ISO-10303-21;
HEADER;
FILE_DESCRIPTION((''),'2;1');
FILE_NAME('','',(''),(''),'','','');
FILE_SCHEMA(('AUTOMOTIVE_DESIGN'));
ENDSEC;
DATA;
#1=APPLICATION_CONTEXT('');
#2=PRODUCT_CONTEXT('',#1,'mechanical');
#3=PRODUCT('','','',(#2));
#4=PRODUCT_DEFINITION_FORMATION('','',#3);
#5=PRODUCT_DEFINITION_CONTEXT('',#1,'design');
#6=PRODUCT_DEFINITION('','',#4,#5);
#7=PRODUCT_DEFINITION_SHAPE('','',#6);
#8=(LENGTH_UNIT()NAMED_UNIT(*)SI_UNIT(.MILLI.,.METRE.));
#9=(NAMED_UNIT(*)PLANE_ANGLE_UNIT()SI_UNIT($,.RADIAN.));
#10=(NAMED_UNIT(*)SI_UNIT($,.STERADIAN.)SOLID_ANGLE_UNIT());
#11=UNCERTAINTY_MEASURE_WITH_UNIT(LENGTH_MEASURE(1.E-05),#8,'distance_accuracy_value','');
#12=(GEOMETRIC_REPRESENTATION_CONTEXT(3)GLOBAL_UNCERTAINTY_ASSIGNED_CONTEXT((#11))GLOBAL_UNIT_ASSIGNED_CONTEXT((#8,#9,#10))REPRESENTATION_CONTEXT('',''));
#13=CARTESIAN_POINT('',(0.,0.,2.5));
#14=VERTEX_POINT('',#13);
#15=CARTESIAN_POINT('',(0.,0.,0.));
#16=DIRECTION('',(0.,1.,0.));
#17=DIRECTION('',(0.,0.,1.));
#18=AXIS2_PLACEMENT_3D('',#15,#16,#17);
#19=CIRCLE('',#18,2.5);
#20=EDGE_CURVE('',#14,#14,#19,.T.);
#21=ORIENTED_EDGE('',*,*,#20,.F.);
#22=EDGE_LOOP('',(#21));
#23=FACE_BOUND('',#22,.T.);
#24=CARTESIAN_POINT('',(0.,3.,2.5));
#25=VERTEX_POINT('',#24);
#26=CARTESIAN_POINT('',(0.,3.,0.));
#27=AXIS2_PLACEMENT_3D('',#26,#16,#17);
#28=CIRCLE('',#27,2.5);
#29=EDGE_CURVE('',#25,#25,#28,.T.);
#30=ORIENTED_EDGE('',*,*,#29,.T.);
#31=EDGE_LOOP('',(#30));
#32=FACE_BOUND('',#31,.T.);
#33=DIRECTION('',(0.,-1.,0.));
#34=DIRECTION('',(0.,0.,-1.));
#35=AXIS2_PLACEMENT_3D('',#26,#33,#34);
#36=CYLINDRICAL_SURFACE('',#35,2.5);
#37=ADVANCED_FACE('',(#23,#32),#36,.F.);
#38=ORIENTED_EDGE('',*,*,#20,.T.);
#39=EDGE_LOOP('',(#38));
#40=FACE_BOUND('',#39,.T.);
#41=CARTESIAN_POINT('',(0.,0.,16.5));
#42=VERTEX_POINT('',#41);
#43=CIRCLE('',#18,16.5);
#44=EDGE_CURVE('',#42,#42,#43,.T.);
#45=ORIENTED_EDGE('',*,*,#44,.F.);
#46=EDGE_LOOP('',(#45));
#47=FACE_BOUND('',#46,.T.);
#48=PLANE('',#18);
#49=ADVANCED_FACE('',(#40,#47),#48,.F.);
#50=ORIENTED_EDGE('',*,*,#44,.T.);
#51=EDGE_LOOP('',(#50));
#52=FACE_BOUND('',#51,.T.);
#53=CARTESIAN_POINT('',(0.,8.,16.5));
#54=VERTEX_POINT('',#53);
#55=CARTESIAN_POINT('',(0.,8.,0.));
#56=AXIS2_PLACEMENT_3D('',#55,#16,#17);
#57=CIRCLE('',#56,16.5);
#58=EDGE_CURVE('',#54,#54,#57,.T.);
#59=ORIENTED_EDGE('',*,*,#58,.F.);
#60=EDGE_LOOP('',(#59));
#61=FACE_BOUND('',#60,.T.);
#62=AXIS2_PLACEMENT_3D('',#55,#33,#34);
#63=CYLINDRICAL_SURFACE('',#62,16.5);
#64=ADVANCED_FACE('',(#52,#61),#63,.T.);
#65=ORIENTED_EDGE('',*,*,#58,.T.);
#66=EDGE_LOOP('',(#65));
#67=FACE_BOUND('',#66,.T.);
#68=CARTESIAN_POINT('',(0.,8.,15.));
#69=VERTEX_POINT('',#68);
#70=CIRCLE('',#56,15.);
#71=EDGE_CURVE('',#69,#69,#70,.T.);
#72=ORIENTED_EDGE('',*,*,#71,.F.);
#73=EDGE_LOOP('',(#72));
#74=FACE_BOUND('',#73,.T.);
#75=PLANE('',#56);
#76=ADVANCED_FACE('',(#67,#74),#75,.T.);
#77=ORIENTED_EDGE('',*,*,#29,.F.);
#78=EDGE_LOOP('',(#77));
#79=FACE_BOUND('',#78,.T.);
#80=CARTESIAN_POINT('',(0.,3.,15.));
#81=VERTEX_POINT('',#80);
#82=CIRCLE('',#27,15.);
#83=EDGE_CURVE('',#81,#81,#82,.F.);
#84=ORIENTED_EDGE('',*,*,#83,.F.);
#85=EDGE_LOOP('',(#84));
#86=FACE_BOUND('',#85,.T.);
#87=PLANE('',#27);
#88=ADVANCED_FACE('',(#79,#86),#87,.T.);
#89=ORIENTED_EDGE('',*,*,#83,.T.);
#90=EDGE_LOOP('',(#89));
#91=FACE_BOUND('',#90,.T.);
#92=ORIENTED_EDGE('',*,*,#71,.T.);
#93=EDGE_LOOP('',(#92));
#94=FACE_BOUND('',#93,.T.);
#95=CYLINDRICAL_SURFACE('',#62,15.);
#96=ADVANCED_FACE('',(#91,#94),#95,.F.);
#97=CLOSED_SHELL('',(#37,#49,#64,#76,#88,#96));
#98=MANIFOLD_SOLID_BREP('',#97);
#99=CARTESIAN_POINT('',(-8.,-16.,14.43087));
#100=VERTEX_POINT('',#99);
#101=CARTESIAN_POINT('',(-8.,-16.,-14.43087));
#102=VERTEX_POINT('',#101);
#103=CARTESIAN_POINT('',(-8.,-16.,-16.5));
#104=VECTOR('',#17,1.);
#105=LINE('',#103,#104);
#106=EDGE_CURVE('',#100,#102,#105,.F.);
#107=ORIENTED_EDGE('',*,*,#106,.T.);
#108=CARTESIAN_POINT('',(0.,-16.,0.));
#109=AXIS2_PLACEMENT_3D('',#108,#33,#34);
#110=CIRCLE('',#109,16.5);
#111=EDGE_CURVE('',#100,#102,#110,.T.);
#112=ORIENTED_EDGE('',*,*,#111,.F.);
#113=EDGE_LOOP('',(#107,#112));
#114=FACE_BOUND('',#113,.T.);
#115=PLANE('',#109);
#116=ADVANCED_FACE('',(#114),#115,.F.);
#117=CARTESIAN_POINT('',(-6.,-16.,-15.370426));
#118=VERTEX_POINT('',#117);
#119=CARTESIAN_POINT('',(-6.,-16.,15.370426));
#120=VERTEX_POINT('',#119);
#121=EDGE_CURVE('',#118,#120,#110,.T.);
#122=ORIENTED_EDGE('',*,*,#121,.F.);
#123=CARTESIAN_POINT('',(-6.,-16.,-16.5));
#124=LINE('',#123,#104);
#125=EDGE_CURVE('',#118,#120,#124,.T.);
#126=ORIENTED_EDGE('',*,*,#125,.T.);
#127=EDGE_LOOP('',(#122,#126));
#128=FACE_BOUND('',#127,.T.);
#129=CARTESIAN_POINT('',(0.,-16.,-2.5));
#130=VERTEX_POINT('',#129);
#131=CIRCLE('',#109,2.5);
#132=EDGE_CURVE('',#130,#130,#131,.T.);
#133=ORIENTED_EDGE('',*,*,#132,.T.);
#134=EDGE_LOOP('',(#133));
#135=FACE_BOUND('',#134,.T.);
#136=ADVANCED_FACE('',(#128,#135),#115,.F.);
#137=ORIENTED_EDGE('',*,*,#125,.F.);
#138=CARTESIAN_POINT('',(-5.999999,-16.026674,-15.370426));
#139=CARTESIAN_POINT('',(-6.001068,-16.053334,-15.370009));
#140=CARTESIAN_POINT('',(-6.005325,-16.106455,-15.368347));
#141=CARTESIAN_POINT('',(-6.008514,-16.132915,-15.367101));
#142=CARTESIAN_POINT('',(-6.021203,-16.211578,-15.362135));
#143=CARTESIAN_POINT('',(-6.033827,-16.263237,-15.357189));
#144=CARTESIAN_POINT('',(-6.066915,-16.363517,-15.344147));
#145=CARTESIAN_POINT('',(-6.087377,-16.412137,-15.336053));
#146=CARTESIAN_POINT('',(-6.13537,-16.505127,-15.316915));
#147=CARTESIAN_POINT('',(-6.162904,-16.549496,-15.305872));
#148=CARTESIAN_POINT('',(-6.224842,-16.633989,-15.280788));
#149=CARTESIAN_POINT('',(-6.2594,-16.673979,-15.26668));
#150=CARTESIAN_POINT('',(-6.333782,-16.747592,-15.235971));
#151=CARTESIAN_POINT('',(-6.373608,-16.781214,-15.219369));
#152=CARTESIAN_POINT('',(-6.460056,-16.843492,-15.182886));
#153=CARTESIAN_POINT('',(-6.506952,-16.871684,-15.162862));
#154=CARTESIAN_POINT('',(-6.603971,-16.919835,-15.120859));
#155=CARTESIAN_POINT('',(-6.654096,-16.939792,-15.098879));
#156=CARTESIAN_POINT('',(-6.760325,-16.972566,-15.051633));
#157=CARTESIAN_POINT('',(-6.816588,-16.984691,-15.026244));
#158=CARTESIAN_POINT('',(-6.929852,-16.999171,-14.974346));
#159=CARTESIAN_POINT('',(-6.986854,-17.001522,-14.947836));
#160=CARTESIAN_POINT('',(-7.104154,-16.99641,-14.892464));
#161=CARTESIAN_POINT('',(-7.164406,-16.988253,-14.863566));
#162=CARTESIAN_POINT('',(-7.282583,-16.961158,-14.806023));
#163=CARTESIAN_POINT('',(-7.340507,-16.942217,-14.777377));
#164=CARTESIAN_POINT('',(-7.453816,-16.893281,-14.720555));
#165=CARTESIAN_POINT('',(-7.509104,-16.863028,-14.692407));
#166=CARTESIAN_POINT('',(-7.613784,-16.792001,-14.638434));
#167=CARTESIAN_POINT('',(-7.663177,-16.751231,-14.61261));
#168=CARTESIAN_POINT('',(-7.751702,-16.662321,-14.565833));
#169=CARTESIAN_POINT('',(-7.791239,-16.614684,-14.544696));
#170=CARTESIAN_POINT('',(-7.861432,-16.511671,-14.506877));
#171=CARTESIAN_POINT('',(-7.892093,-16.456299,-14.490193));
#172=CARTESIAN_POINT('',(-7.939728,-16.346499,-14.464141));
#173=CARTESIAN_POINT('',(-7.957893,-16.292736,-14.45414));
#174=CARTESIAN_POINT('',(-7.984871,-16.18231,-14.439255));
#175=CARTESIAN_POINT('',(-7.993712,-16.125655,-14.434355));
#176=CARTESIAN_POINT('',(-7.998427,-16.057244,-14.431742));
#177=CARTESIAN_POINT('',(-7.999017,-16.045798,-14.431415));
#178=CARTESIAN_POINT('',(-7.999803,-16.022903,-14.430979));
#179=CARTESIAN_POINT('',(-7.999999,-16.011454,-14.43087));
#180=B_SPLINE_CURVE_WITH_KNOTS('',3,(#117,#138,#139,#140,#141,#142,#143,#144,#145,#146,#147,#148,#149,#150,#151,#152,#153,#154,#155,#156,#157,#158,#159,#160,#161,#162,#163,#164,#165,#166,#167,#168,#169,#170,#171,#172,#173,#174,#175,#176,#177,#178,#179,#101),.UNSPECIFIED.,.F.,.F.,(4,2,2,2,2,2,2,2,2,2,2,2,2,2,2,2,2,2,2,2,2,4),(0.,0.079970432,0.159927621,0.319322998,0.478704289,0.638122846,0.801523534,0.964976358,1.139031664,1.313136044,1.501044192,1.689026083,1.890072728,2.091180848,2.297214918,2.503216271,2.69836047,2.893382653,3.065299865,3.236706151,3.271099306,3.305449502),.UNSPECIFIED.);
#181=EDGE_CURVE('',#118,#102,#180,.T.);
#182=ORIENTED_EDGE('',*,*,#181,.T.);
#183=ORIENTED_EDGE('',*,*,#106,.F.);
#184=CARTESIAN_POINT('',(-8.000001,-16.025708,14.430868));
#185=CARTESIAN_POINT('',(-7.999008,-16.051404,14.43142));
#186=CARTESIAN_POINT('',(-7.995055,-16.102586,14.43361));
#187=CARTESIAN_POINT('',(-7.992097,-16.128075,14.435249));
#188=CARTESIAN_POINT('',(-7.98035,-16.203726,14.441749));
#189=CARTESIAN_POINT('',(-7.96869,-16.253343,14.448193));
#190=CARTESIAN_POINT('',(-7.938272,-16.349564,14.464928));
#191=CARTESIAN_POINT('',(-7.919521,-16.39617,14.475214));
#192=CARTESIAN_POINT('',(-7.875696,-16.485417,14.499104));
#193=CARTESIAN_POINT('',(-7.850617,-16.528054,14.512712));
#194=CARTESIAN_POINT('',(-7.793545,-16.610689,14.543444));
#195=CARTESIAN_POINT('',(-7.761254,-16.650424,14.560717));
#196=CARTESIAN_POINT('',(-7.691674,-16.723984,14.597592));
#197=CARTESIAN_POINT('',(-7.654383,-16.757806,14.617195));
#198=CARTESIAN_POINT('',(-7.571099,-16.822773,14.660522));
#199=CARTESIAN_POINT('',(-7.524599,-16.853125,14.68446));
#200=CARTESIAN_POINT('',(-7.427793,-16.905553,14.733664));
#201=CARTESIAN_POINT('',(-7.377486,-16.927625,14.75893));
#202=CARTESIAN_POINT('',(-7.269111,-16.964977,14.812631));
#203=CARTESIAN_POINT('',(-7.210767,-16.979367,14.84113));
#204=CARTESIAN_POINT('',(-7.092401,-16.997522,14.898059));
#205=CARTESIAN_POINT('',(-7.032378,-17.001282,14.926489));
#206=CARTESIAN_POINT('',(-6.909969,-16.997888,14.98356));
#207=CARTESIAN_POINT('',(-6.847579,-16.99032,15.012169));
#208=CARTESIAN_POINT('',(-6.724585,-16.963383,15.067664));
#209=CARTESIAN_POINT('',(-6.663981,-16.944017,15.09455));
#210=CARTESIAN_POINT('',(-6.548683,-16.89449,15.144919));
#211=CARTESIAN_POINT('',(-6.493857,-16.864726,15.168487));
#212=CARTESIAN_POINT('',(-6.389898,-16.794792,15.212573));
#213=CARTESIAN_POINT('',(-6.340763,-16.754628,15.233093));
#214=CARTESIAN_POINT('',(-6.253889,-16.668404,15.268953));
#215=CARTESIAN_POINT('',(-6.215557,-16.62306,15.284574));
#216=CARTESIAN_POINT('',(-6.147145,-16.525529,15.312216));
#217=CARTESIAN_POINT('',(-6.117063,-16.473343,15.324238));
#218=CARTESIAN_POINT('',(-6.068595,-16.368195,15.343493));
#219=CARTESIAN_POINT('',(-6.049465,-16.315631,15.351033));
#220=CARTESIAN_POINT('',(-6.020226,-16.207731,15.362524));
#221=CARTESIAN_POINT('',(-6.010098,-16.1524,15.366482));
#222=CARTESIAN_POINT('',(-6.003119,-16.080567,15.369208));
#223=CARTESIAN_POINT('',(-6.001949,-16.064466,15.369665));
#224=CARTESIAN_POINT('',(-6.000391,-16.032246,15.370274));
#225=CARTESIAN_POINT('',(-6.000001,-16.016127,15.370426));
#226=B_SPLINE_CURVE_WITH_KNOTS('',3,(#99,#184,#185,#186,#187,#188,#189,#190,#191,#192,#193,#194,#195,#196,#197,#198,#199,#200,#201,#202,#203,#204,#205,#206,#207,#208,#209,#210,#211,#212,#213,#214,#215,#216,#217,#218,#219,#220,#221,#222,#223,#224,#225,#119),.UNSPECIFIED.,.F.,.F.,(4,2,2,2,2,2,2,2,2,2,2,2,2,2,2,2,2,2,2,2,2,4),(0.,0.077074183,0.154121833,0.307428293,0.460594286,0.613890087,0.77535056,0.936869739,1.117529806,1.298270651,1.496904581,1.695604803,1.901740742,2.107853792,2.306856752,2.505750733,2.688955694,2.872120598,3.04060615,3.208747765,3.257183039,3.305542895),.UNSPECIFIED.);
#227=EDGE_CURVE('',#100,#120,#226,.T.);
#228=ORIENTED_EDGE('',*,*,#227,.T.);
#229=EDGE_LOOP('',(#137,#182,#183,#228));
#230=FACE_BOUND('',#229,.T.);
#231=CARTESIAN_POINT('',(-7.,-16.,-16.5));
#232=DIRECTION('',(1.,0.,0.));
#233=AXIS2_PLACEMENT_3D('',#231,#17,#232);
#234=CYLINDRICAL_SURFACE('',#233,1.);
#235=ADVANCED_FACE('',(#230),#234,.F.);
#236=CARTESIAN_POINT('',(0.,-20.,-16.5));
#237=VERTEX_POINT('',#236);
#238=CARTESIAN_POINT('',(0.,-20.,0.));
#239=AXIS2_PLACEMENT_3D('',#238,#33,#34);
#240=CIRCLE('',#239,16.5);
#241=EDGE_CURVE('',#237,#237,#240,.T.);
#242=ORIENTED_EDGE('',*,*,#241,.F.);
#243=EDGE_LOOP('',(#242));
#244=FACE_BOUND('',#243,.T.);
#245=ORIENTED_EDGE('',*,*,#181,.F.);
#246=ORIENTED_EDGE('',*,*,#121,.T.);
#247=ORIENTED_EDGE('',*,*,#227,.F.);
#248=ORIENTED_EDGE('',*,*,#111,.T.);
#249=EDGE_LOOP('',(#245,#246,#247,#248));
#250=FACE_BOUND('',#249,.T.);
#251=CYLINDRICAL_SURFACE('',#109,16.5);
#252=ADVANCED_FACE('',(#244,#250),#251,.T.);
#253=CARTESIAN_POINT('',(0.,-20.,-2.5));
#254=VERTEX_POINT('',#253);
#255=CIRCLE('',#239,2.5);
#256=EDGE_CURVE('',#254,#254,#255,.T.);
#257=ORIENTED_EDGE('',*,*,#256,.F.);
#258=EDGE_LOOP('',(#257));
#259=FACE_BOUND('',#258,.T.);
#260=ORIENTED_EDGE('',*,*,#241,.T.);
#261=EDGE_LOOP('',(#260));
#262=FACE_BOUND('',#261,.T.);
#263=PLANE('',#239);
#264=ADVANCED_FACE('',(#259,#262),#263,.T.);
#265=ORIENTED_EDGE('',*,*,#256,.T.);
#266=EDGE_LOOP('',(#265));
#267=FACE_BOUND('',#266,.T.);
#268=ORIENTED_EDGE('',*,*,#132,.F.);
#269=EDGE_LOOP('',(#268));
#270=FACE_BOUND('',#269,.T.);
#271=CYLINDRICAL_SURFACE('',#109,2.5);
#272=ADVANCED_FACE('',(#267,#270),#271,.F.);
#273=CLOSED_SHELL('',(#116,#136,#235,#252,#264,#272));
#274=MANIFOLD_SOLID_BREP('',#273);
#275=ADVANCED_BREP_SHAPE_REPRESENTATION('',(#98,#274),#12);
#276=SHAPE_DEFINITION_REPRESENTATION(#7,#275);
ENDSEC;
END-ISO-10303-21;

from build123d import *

# Parameters (mm, degrees)
SCHIZZO1_R                    = 15
SCHIZZO1_R_2                  = 2.5
ESTRUSIONE_ESTRUSIONE1_DEPTH  = 3
SCHIZZO1_5_R                  = 16.5
SCHIZZO1_5_R_2                = 15
ESTRUSIONE_ESTRUSIONE2_DEPTH  = 8
SCHIZZO4_R                    = 16.5
SCHIZZO4_R_2                  = 2.5
ESTRUSIONE_ESTRUSIONE3_DEPTH  = 4
SCHIZZO5_R                    = 1
TAGLIO_ESTRUSIONE1_DEPTH      = 17.5
TAGLIO_ESTRUSIONE1_DEPTH_BACK = 17.5


with BuildPart() as part:
    # Schizzo1 → Estrusione-Estrusione1 (new body)
    with BuildSketch(Plane(origin=(0, 0, 0), x_dir=(1, 0, 0), z_dir=(0, 1, 0))):
        Circle(SCHIZZO1_R)
        Circle(SCHIZZO1_R_2, mode=Mode.SUBTRACT)
    extrude(amount=ESTRUSIONE_ESTRUSIONE1_DEPTH)

    # Schizzo1<5> → Estrusione-Estrusione2 (add)
    with BuildSketch(Plane(origin=(0, 0, 0), x_dir=(1, 0, 0), z_dir=(0, 1, 0))):
        Circle(SCHIZZO1_5_R)
        Circle(SCHIZZO1_5_R_2, mode=Mode.SUBTRACT)
    extrude(amount=ESTRUSIONE_ESTRUSIONE2_DEPTH)


with BuildPart() as body_2:
    # Schizzo4 → Estrusione-Estrusione3 (new body)
    with BuildSketch(Plane(origin=(0, -20, 0), x_dir=(-1, 0, 0), z_dir=(0, -1, 0))):
        Circle(SCHIZZO4_R)
        Circle(SCHIZZO4_R_2, mode=Mode.SUBTRACT)
    extrude(amount=-ESTRUSIONE_ESTRUSIONE3_DEPTH)

    # Schizzo5 → Taglio-Estrusione1 (cut, two sides)
    with BuildSketch(Plane.XY) as taglio_estrusione1_sk:
        with Locations((-7, -16)):
            Circle(SCHIZZO5_R)
    extrude(amount=TAGLIO_ESTRUSIONE1_DEPTH, mode=Mode.SUBTRACT)
    extrude(taglio_estrusione1_sk.sketch, amount=-TAGLIO_ESTRUSIONE1_DEPTH_BACK, mode=Mode.SUBTRACT)


solid = Compound([part.part, body_2.part])
